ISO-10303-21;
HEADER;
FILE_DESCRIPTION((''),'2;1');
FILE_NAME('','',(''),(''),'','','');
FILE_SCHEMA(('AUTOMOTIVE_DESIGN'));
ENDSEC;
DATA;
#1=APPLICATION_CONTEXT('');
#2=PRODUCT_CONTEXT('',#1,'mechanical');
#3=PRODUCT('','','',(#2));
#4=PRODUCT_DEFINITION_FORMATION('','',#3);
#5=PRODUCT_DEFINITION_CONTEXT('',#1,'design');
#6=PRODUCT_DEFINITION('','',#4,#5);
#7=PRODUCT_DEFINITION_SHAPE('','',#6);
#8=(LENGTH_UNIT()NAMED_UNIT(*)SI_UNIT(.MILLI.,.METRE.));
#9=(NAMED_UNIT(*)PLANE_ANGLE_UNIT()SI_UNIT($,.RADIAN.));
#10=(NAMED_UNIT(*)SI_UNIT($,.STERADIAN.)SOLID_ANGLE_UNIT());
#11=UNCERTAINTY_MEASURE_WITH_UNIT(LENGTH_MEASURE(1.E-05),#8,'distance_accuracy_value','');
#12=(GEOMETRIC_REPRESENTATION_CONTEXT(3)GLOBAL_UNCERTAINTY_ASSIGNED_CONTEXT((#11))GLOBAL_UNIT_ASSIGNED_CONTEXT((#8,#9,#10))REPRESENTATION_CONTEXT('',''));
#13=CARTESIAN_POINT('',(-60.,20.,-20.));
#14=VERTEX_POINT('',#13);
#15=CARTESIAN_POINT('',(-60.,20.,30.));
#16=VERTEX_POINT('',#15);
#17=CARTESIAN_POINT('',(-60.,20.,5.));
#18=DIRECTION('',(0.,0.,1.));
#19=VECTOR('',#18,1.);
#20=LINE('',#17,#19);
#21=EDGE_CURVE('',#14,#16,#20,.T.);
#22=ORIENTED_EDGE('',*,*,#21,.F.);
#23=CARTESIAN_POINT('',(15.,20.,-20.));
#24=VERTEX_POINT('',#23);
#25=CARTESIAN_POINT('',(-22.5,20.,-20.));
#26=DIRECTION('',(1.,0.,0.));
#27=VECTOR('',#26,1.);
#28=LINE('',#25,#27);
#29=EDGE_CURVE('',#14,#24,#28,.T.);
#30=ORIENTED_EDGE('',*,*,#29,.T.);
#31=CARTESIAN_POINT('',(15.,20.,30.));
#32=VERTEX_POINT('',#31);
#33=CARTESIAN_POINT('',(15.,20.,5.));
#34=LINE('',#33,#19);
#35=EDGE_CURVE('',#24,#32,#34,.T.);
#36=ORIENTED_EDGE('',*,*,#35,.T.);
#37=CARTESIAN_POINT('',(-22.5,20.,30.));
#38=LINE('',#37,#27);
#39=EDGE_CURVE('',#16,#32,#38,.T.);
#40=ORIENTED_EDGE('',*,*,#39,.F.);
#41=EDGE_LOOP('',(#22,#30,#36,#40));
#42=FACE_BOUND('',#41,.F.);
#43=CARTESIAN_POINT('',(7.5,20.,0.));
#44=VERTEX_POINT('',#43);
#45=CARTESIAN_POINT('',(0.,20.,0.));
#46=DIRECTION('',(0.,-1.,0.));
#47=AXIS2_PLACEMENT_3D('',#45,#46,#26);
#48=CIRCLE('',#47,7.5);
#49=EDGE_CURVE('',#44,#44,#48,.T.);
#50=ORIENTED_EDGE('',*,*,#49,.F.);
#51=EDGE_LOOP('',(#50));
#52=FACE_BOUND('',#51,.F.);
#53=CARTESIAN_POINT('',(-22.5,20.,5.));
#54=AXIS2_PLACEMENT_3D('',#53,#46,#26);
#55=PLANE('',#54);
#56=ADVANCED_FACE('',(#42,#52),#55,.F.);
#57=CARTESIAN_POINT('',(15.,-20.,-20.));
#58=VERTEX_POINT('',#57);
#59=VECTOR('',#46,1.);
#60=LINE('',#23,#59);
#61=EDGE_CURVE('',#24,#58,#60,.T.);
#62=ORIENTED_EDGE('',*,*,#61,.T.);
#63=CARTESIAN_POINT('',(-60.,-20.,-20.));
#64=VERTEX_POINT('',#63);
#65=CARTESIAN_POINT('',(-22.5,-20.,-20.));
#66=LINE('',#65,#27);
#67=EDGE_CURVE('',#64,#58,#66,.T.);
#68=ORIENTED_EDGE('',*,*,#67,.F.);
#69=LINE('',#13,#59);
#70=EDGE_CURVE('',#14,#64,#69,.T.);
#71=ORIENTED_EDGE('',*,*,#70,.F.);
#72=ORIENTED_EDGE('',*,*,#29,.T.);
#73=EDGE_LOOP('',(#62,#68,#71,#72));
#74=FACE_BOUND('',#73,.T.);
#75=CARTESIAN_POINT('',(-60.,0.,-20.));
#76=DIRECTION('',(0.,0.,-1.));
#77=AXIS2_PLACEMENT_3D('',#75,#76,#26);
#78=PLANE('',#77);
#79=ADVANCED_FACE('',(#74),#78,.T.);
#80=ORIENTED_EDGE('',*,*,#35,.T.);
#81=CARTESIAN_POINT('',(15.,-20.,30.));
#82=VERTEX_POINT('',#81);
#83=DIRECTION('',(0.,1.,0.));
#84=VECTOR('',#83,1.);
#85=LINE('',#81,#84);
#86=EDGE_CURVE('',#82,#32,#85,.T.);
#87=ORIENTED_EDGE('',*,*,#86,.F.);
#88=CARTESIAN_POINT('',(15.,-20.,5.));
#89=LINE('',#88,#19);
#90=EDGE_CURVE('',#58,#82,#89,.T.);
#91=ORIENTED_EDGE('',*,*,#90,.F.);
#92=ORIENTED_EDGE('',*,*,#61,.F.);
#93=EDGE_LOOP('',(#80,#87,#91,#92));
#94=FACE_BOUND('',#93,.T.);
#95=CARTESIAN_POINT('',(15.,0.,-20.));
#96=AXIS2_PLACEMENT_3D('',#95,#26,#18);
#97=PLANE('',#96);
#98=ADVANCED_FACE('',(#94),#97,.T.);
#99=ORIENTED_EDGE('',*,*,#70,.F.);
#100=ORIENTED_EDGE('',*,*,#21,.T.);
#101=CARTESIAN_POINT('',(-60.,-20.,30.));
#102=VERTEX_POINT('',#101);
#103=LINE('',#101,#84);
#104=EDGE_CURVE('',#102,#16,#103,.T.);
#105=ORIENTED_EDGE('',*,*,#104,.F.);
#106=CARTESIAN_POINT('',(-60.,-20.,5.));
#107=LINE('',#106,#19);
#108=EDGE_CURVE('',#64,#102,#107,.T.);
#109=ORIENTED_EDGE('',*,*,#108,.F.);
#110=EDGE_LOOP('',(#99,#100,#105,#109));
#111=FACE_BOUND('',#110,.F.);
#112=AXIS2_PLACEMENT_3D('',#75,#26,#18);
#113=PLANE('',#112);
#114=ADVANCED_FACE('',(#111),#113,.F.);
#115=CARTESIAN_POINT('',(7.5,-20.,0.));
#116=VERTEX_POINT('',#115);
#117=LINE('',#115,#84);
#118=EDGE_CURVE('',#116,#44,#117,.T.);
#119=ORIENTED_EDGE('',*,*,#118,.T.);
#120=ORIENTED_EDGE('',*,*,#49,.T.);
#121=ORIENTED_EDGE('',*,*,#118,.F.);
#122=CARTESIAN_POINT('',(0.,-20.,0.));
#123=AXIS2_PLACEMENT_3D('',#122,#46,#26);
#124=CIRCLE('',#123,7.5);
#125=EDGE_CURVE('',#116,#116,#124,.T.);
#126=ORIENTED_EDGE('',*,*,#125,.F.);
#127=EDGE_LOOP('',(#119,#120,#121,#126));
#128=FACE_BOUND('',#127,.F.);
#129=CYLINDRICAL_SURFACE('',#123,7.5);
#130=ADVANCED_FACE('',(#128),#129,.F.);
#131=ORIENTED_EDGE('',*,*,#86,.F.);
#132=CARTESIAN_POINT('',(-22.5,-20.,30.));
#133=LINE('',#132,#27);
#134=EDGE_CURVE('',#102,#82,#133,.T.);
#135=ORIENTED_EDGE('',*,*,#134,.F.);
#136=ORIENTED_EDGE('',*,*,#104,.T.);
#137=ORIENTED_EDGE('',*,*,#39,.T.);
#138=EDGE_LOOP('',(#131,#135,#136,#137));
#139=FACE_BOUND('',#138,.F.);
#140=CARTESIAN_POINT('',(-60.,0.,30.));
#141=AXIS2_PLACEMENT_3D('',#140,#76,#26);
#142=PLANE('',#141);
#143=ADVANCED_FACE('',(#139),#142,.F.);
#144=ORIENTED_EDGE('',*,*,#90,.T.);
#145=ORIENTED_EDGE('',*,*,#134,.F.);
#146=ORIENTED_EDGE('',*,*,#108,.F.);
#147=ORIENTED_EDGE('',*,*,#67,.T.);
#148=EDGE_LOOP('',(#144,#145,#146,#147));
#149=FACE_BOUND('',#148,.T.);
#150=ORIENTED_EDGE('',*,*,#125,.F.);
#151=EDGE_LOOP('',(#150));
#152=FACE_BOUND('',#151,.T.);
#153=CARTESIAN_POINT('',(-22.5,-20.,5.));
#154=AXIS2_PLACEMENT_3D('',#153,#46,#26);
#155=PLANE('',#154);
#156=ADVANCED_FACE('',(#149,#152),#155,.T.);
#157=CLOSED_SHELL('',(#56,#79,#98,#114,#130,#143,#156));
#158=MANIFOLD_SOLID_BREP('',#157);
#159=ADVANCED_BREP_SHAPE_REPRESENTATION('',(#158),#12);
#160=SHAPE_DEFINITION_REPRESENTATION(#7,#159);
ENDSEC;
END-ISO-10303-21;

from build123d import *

# Parameters (mm, degrees)
F0_W     = 75
F0_H     = 50
F1_DEPTH = 20
F2_R     = 7.5
F3_DEPTH = 40


with BuildPart() as f1:
    # F0 (on Front) → F1 (new body, symmetric)
    with BuildSketch(Plane.XZ):
        with Locations((-22.5, 5)):
            Rectangle(F0_W, F0_H)
    extrude(amount=F1_DEPTH, both=True)

    # F2 (on face) → F3 (cut, through all)
    with BuildSketch(Plane.XZ.offset(20)):
        Circle(F2_R)
    extrude(amount=-F3_DEPTH, mode=Mode.SUBTRACT)


solid = f1.part
